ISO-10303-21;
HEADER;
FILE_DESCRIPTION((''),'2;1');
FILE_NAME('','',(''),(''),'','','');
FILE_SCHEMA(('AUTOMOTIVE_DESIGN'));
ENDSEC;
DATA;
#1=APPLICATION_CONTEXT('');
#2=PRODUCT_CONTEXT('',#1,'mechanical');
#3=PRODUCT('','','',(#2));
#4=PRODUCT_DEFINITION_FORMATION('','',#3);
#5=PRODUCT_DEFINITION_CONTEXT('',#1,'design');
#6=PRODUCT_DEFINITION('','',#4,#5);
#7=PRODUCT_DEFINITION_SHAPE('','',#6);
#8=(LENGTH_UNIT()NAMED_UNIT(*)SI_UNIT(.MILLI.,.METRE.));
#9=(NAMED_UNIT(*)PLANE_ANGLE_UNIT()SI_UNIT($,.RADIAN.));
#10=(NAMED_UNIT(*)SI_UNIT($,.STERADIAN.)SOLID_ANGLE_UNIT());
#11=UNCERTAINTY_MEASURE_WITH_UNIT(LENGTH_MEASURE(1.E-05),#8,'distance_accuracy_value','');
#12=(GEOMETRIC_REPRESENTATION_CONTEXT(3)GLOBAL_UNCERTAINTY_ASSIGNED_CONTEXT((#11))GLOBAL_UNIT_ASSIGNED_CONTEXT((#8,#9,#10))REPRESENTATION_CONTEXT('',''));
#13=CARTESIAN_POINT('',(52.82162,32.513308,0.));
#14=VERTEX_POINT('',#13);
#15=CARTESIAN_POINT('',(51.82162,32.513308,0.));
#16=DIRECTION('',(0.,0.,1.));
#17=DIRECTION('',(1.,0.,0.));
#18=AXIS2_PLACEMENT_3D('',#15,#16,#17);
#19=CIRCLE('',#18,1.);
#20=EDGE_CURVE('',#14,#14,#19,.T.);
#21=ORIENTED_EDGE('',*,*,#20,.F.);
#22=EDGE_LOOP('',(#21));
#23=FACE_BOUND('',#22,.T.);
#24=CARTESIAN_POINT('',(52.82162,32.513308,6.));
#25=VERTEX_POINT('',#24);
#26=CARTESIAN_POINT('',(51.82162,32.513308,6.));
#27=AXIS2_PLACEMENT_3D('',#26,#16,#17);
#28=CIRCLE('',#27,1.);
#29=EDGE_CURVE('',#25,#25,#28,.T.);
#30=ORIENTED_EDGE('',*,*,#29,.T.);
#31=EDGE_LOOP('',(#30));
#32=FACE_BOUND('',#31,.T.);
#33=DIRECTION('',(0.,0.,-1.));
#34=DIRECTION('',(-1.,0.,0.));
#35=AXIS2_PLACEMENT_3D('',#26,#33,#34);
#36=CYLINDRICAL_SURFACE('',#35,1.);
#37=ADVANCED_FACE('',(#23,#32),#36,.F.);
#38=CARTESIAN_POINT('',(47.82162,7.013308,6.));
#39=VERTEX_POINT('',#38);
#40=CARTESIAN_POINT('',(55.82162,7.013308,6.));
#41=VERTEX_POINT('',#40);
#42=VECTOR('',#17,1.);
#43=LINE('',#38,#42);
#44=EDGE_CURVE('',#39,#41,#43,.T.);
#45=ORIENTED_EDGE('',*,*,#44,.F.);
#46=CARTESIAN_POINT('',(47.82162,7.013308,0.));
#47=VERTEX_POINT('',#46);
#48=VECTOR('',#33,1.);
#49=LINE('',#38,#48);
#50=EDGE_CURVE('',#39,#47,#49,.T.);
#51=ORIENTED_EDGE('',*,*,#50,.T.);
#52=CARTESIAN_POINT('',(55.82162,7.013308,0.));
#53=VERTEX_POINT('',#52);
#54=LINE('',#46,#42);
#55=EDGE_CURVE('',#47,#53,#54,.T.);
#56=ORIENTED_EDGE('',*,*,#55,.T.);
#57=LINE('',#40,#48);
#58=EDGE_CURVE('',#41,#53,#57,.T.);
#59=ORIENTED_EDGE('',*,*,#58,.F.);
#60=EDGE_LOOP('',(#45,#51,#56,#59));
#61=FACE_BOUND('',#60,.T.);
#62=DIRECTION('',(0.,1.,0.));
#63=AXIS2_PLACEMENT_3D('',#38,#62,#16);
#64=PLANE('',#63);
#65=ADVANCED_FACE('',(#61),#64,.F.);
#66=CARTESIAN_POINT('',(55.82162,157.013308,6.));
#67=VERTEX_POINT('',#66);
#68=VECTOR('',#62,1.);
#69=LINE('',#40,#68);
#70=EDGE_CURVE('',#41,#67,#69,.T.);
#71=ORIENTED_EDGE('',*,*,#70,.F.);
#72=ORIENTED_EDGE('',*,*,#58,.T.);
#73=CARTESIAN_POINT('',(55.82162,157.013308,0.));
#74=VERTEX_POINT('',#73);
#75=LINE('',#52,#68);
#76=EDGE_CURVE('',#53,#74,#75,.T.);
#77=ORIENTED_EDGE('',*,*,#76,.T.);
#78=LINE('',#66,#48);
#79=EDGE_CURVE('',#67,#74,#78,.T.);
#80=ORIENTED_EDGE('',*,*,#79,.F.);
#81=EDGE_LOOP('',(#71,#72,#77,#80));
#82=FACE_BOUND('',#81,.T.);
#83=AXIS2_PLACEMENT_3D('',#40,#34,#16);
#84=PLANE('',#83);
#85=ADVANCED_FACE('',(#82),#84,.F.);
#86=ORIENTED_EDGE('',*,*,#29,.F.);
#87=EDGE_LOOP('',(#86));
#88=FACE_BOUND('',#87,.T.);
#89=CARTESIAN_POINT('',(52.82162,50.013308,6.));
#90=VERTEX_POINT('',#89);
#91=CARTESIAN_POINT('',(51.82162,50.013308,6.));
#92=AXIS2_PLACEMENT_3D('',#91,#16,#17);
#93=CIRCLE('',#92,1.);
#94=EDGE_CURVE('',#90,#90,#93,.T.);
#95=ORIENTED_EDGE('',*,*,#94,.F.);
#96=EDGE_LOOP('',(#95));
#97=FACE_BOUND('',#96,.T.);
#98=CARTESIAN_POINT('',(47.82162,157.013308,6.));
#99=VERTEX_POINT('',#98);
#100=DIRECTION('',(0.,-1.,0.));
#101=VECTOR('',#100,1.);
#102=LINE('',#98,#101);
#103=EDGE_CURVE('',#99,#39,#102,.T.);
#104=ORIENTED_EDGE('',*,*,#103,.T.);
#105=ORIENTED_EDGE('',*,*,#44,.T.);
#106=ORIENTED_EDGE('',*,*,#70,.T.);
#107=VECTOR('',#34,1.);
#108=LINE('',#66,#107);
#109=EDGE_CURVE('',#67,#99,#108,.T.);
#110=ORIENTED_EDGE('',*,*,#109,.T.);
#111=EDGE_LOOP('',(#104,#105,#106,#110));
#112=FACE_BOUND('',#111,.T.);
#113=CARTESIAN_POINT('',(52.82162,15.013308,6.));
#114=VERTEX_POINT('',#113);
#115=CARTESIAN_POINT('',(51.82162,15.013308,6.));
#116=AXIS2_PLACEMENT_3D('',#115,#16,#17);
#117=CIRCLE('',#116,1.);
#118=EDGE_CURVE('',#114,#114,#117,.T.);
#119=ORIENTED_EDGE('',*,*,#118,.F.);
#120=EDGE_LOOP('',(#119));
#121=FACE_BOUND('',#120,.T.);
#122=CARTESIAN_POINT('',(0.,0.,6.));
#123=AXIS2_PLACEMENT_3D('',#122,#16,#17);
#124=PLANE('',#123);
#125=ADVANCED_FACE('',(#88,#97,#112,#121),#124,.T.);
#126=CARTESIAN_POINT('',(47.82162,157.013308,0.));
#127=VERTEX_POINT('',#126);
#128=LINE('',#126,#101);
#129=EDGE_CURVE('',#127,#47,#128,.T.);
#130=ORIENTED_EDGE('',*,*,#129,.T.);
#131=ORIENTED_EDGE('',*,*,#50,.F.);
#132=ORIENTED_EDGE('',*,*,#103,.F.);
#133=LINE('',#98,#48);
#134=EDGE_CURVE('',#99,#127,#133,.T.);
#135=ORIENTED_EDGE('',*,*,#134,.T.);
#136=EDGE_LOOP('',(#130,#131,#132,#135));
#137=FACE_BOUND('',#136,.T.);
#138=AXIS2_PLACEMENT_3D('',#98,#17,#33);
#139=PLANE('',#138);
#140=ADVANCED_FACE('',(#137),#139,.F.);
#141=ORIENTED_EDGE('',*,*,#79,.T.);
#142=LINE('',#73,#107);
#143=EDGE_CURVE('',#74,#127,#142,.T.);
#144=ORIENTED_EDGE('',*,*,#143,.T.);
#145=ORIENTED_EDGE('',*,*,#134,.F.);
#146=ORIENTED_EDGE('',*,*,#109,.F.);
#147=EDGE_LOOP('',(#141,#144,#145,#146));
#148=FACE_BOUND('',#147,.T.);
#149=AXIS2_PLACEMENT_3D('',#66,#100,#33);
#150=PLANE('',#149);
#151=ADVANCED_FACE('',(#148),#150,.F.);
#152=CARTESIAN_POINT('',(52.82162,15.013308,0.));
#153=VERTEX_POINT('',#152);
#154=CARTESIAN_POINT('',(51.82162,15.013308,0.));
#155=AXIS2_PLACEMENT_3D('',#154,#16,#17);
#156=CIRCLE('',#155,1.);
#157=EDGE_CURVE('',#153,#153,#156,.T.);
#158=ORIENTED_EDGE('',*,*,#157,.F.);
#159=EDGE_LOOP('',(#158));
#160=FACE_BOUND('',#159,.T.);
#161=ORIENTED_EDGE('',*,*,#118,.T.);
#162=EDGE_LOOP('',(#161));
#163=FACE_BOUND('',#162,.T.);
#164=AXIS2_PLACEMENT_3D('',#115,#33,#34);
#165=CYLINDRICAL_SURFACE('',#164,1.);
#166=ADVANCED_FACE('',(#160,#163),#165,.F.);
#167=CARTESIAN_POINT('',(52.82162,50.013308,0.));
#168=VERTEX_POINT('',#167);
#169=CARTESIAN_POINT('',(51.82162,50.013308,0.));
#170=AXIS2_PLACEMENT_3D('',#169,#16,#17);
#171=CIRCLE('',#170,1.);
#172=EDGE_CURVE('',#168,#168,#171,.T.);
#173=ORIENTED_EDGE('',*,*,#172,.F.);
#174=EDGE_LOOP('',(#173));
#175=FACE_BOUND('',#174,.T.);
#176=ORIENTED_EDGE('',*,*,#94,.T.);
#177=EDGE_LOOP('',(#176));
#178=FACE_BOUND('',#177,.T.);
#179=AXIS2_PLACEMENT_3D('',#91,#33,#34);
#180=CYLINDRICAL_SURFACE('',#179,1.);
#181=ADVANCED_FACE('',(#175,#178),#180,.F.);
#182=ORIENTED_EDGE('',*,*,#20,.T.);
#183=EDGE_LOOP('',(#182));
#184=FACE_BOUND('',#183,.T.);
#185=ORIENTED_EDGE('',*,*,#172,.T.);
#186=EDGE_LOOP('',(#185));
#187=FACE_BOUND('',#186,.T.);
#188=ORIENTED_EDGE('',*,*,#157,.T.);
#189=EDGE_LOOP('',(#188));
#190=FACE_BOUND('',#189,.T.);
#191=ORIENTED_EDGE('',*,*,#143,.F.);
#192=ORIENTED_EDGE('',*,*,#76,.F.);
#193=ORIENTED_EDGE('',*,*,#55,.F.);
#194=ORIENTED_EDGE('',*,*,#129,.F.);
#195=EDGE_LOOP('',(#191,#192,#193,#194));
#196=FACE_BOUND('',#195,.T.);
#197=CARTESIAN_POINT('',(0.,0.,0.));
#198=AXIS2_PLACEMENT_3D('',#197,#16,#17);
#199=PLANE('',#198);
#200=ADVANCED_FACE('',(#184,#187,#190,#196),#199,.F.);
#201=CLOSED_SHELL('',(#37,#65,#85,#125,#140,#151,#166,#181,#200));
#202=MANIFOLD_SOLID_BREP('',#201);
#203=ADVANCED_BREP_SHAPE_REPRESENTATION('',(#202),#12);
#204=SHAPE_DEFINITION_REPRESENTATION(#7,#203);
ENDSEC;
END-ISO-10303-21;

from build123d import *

# Parameters (mm, degrees)
MODEL_W             = 8
MODEL_H             = 150
MODEL_R             = 1
BOSS_EXTRUDE2_DEPTH = 6


with BuildPart() as part:
    # Model → Boss-Extrude2 (new body)
    with BuildSketch(Plane.XY):
        with Locations((51.821619875, 82.013307802)):
            Rectangle(MODEL_W, MODEL_H)
        with Locations((51.821619875, 15.013307802)):
            Circle(MODEL_R, mode=Mode.SUBTRACT)
        with Locations((51.821619875, 50.013307802)):
            Circle(MODEL_R, mode=Mode.SUBTRACT)
        with Locations((51.821619875, 32.513307802)):
            Circle(MODEL_R, mode=Mode.SUBTRACT)
    extrude(amount=BOSS_EXTRUDE2_DEPTH)


solid = part.part
